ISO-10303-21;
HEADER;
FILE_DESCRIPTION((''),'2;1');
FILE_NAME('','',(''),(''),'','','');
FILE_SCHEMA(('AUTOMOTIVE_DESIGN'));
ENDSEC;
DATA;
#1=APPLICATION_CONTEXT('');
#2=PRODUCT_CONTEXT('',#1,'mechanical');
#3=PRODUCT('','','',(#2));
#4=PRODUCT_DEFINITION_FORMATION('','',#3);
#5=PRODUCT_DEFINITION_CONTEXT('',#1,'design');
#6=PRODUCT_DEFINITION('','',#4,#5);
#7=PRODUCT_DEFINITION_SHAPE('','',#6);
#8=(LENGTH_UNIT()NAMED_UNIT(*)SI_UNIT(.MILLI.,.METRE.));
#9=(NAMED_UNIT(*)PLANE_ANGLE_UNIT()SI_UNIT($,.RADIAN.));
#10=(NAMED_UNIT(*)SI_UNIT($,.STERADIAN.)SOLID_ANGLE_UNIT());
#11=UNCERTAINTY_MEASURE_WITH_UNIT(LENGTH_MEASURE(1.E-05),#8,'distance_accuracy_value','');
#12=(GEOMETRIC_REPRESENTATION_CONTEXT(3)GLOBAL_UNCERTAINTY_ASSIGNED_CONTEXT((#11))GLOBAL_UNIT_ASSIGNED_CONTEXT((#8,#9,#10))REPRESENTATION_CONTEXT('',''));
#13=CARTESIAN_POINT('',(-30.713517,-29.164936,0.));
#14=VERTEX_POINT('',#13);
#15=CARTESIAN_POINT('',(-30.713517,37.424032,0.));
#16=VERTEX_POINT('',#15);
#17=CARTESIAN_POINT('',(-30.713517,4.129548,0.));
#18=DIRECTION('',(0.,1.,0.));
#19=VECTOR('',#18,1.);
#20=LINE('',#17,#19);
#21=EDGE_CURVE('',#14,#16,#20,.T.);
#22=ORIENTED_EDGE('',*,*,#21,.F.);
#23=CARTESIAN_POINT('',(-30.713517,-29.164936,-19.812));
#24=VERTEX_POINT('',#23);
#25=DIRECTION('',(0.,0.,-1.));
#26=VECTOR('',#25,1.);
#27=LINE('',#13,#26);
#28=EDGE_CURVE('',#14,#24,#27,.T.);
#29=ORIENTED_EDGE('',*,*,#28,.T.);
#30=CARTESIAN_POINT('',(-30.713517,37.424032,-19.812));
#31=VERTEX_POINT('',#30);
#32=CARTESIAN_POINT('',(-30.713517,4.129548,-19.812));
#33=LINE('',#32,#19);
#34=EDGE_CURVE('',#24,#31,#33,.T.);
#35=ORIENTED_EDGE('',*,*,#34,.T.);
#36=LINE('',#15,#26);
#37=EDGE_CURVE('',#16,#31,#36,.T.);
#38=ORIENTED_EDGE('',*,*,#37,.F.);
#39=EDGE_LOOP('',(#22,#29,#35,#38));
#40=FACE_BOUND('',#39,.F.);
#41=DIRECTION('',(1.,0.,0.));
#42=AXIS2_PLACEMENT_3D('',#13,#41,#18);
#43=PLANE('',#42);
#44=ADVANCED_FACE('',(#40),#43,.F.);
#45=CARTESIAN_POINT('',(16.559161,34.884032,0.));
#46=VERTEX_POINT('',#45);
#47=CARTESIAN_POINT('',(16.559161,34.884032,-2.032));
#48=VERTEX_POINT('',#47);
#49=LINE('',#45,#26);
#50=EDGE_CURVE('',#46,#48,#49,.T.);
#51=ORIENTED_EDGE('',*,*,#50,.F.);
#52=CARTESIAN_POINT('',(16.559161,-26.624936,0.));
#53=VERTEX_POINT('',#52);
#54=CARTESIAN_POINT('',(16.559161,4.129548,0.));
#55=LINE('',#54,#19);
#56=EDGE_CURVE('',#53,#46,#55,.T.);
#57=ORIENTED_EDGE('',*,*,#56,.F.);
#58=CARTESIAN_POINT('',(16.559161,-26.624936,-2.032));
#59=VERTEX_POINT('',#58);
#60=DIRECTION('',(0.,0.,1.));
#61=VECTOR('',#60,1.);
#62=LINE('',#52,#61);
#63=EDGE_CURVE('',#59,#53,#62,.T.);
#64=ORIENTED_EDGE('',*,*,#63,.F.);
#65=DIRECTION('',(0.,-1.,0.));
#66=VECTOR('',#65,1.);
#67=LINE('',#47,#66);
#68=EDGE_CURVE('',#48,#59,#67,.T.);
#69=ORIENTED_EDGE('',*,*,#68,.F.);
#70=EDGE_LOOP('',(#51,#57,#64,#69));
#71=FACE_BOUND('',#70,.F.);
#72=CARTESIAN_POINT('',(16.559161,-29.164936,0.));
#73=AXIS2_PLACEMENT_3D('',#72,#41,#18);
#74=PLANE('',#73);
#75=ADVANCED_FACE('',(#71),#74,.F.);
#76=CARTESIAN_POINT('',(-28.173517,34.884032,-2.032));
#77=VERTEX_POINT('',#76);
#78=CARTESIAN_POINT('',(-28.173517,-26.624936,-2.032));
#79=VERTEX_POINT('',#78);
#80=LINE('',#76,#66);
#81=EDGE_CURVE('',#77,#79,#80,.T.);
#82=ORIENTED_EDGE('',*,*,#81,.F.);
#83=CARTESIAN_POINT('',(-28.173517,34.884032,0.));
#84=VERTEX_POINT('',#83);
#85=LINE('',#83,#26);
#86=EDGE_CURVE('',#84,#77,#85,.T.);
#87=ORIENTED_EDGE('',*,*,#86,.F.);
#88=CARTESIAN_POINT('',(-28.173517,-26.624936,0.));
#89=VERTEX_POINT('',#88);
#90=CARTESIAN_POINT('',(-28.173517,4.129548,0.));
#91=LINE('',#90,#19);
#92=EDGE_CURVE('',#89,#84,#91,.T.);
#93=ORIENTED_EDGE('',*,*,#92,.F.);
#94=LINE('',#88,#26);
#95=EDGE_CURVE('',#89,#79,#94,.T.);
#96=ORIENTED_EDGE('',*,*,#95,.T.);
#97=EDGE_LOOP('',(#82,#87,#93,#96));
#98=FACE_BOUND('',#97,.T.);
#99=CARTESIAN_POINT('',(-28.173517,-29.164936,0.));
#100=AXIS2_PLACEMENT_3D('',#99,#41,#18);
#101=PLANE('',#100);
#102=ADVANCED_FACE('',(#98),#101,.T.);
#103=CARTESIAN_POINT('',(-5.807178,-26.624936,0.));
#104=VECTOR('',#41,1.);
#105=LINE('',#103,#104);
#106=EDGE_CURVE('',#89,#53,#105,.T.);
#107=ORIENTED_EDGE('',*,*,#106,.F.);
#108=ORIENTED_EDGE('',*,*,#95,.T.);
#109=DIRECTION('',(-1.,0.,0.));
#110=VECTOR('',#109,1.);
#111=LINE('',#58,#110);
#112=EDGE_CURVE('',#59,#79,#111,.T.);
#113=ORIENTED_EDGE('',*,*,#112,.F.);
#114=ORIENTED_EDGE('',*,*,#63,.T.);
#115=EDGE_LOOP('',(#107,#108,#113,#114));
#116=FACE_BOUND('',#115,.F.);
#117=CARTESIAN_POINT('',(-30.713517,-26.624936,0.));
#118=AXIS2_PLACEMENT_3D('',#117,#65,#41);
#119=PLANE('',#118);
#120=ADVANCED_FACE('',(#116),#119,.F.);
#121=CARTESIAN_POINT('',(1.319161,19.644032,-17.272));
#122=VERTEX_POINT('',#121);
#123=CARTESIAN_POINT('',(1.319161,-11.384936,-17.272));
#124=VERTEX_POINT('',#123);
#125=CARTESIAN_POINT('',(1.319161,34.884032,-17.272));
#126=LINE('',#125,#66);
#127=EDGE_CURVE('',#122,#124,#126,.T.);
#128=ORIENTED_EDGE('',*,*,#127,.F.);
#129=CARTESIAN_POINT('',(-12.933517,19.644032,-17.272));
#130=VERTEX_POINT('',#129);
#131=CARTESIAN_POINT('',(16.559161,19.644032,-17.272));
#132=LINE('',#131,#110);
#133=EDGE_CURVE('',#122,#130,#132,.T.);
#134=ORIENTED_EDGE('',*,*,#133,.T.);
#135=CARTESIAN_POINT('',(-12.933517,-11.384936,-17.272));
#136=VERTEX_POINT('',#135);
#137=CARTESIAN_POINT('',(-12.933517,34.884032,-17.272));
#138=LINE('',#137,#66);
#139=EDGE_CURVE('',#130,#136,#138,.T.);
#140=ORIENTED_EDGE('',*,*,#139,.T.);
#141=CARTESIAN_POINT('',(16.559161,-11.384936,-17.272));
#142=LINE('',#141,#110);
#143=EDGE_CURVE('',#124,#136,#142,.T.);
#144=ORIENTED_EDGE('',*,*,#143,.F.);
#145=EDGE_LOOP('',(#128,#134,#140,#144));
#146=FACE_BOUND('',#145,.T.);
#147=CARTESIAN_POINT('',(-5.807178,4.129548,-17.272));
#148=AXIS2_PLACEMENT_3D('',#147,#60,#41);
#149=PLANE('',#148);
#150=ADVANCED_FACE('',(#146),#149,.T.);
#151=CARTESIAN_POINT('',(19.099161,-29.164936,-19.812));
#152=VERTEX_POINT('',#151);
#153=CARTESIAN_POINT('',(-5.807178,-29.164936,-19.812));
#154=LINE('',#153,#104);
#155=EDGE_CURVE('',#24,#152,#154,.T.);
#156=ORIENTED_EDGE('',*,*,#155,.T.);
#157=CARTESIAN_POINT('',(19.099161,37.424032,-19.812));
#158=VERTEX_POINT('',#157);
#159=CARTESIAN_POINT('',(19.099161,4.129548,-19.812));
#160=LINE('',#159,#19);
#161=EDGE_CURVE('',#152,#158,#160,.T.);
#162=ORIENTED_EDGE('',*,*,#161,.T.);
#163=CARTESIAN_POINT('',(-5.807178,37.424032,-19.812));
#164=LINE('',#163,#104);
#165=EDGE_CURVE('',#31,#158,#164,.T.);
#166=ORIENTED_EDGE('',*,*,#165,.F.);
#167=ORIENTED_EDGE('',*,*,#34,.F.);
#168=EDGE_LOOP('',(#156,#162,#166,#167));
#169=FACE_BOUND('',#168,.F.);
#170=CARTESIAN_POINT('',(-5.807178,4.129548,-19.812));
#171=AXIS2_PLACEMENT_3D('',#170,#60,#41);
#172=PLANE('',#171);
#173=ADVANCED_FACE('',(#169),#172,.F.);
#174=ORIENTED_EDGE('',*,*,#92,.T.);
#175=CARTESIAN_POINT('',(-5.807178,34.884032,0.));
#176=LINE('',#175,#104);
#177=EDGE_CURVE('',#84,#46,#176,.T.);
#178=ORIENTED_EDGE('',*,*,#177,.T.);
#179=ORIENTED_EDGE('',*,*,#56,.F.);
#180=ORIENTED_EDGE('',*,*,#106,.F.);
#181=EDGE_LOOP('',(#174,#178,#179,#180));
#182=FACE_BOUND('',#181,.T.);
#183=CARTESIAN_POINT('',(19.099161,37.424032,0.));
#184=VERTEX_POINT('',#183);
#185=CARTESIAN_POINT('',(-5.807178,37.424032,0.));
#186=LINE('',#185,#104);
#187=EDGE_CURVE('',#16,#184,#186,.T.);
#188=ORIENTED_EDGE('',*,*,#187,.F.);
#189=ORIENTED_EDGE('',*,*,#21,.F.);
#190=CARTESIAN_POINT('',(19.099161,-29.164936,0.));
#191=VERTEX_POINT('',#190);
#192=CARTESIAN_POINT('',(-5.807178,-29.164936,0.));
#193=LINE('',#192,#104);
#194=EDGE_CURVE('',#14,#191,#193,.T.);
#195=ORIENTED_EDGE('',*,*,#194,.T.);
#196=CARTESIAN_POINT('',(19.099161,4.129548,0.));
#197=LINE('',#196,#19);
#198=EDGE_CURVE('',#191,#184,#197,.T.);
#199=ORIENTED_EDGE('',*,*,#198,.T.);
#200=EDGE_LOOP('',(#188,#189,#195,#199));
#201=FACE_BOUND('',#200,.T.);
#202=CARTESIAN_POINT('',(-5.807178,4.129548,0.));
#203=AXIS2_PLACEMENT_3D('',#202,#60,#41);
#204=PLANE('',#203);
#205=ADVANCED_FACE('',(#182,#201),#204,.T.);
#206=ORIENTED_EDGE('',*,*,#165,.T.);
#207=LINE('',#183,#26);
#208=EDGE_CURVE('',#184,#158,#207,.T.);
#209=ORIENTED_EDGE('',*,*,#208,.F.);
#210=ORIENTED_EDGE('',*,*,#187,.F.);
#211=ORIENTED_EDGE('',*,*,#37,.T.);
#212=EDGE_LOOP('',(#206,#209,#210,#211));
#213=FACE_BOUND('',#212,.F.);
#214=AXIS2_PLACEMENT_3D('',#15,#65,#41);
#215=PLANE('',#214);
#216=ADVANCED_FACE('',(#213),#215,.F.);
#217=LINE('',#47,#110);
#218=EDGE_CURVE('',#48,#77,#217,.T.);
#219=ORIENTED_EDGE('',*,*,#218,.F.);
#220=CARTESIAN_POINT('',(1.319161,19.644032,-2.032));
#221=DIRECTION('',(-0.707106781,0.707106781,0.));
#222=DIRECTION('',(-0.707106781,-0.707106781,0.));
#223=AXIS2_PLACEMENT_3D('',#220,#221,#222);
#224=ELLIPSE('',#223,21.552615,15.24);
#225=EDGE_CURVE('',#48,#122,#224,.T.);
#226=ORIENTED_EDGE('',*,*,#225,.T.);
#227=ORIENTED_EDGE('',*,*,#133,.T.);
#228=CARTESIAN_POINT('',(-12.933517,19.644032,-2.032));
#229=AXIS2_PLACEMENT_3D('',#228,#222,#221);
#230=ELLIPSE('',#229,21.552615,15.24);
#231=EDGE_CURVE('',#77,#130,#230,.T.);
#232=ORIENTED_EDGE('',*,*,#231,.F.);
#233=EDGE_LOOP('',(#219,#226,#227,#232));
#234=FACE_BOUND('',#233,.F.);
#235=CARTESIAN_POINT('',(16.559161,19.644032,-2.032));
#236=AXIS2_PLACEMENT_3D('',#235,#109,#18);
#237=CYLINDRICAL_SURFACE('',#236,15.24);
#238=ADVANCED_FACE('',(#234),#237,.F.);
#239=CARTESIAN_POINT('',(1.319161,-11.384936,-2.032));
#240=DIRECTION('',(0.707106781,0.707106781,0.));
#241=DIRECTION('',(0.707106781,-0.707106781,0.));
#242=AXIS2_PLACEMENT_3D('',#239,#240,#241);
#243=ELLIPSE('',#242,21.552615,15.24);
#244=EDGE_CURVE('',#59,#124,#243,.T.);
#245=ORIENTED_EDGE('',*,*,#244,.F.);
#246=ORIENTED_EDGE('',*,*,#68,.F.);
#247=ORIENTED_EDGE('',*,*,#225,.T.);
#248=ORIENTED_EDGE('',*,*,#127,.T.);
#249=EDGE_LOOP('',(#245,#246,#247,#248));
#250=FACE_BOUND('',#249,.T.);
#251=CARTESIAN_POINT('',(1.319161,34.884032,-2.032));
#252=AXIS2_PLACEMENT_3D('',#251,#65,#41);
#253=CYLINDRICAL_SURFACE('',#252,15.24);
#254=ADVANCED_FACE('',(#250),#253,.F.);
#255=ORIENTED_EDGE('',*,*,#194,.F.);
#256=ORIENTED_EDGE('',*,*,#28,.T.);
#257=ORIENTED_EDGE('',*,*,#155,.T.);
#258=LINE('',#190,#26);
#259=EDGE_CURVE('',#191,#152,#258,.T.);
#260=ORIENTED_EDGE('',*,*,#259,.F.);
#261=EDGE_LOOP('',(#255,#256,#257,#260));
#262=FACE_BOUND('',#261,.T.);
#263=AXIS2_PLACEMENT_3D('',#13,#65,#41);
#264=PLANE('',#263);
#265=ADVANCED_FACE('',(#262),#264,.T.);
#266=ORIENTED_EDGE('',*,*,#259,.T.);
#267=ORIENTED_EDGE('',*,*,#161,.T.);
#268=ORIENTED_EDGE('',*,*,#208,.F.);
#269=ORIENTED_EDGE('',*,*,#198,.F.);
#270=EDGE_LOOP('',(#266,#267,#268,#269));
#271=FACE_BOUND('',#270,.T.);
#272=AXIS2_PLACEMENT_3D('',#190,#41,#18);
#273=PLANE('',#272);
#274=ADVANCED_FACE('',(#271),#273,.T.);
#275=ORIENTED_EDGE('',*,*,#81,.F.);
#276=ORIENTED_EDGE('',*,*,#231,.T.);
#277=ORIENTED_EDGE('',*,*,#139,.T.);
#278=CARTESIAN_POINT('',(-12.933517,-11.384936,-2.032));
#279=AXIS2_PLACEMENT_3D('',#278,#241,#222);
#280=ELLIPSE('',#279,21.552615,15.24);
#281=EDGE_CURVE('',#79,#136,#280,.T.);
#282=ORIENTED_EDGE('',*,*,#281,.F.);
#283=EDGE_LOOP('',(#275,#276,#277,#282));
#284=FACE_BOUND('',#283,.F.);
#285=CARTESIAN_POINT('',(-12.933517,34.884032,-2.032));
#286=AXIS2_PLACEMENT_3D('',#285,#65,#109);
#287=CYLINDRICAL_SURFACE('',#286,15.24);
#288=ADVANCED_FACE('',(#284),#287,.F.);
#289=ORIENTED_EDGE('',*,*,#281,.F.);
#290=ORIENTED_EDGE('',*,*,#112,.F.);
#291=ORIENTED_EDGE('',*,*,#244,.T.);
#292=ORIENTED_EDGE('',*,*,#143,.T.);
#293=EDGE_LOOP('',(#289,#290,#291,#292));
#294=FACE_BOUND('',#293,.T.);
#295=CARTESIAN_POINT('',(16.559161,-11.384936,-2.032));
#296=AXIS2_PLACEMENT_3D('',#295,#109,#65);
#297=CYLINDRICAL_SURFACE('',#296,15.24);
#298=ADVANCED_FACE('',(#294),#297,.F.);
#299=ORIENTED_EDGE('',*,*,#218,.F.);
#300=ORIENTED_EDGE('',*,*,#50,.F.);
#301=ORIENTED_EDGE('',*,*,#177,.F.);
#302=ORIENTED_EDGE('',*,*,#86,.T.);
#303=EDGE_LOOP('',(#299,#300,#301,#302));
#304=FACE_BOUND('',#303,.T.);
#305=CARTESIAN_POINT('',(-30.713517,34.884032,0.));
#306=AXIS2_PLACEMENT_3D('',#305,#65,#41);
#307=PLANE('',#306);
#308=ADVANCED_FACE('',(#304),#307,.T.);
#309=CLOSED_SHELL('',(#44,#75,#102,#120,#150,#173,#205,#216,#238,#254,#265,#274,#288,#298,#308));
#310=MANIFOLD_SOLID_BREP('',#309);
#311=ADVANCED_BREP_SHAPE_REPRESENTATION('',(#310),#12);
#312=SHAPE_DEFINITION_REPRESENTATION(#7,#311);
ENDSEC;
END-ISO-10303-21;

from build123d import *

# Parameters (mm, degrees)
F0_W     = 49.8126782477
F0_H     = 66.5889680386
F1_DEPTH = 19.812
F2_T     = -2.54
F3_R     = 15.24


with BuildPart() as f1:
    # F0 (on Top) → F1 (new body)
    with BuildSketch(Plane.XY):
        with Locations((-5.807178095, 4.1295476258)):
            Rectangle(F0_W, F0_H)
    extrude(amount=-F1_DEPTH)

    # F2
    f2_openings = [f1.faces().sort_by_distance(p)[0] for p in [
        (-5.807178, 4.129548, 0),
    ]]
    offset(amount=F2_T, openings=f2_openings)

    # F3
    f3_edges = [f1.edges().sort_by_distance(p)[0] for p in [
        (16.559161, 4.129548, -17.272),
        (-5.807178, -26.624936, -17.272),
        (-5.807178, 34.884032, -17.272),
        (-28.173517, 4.129548, -17.272),
    ]]
    fillet(f3_edges, radius=F3_R)


solid = f1.part
